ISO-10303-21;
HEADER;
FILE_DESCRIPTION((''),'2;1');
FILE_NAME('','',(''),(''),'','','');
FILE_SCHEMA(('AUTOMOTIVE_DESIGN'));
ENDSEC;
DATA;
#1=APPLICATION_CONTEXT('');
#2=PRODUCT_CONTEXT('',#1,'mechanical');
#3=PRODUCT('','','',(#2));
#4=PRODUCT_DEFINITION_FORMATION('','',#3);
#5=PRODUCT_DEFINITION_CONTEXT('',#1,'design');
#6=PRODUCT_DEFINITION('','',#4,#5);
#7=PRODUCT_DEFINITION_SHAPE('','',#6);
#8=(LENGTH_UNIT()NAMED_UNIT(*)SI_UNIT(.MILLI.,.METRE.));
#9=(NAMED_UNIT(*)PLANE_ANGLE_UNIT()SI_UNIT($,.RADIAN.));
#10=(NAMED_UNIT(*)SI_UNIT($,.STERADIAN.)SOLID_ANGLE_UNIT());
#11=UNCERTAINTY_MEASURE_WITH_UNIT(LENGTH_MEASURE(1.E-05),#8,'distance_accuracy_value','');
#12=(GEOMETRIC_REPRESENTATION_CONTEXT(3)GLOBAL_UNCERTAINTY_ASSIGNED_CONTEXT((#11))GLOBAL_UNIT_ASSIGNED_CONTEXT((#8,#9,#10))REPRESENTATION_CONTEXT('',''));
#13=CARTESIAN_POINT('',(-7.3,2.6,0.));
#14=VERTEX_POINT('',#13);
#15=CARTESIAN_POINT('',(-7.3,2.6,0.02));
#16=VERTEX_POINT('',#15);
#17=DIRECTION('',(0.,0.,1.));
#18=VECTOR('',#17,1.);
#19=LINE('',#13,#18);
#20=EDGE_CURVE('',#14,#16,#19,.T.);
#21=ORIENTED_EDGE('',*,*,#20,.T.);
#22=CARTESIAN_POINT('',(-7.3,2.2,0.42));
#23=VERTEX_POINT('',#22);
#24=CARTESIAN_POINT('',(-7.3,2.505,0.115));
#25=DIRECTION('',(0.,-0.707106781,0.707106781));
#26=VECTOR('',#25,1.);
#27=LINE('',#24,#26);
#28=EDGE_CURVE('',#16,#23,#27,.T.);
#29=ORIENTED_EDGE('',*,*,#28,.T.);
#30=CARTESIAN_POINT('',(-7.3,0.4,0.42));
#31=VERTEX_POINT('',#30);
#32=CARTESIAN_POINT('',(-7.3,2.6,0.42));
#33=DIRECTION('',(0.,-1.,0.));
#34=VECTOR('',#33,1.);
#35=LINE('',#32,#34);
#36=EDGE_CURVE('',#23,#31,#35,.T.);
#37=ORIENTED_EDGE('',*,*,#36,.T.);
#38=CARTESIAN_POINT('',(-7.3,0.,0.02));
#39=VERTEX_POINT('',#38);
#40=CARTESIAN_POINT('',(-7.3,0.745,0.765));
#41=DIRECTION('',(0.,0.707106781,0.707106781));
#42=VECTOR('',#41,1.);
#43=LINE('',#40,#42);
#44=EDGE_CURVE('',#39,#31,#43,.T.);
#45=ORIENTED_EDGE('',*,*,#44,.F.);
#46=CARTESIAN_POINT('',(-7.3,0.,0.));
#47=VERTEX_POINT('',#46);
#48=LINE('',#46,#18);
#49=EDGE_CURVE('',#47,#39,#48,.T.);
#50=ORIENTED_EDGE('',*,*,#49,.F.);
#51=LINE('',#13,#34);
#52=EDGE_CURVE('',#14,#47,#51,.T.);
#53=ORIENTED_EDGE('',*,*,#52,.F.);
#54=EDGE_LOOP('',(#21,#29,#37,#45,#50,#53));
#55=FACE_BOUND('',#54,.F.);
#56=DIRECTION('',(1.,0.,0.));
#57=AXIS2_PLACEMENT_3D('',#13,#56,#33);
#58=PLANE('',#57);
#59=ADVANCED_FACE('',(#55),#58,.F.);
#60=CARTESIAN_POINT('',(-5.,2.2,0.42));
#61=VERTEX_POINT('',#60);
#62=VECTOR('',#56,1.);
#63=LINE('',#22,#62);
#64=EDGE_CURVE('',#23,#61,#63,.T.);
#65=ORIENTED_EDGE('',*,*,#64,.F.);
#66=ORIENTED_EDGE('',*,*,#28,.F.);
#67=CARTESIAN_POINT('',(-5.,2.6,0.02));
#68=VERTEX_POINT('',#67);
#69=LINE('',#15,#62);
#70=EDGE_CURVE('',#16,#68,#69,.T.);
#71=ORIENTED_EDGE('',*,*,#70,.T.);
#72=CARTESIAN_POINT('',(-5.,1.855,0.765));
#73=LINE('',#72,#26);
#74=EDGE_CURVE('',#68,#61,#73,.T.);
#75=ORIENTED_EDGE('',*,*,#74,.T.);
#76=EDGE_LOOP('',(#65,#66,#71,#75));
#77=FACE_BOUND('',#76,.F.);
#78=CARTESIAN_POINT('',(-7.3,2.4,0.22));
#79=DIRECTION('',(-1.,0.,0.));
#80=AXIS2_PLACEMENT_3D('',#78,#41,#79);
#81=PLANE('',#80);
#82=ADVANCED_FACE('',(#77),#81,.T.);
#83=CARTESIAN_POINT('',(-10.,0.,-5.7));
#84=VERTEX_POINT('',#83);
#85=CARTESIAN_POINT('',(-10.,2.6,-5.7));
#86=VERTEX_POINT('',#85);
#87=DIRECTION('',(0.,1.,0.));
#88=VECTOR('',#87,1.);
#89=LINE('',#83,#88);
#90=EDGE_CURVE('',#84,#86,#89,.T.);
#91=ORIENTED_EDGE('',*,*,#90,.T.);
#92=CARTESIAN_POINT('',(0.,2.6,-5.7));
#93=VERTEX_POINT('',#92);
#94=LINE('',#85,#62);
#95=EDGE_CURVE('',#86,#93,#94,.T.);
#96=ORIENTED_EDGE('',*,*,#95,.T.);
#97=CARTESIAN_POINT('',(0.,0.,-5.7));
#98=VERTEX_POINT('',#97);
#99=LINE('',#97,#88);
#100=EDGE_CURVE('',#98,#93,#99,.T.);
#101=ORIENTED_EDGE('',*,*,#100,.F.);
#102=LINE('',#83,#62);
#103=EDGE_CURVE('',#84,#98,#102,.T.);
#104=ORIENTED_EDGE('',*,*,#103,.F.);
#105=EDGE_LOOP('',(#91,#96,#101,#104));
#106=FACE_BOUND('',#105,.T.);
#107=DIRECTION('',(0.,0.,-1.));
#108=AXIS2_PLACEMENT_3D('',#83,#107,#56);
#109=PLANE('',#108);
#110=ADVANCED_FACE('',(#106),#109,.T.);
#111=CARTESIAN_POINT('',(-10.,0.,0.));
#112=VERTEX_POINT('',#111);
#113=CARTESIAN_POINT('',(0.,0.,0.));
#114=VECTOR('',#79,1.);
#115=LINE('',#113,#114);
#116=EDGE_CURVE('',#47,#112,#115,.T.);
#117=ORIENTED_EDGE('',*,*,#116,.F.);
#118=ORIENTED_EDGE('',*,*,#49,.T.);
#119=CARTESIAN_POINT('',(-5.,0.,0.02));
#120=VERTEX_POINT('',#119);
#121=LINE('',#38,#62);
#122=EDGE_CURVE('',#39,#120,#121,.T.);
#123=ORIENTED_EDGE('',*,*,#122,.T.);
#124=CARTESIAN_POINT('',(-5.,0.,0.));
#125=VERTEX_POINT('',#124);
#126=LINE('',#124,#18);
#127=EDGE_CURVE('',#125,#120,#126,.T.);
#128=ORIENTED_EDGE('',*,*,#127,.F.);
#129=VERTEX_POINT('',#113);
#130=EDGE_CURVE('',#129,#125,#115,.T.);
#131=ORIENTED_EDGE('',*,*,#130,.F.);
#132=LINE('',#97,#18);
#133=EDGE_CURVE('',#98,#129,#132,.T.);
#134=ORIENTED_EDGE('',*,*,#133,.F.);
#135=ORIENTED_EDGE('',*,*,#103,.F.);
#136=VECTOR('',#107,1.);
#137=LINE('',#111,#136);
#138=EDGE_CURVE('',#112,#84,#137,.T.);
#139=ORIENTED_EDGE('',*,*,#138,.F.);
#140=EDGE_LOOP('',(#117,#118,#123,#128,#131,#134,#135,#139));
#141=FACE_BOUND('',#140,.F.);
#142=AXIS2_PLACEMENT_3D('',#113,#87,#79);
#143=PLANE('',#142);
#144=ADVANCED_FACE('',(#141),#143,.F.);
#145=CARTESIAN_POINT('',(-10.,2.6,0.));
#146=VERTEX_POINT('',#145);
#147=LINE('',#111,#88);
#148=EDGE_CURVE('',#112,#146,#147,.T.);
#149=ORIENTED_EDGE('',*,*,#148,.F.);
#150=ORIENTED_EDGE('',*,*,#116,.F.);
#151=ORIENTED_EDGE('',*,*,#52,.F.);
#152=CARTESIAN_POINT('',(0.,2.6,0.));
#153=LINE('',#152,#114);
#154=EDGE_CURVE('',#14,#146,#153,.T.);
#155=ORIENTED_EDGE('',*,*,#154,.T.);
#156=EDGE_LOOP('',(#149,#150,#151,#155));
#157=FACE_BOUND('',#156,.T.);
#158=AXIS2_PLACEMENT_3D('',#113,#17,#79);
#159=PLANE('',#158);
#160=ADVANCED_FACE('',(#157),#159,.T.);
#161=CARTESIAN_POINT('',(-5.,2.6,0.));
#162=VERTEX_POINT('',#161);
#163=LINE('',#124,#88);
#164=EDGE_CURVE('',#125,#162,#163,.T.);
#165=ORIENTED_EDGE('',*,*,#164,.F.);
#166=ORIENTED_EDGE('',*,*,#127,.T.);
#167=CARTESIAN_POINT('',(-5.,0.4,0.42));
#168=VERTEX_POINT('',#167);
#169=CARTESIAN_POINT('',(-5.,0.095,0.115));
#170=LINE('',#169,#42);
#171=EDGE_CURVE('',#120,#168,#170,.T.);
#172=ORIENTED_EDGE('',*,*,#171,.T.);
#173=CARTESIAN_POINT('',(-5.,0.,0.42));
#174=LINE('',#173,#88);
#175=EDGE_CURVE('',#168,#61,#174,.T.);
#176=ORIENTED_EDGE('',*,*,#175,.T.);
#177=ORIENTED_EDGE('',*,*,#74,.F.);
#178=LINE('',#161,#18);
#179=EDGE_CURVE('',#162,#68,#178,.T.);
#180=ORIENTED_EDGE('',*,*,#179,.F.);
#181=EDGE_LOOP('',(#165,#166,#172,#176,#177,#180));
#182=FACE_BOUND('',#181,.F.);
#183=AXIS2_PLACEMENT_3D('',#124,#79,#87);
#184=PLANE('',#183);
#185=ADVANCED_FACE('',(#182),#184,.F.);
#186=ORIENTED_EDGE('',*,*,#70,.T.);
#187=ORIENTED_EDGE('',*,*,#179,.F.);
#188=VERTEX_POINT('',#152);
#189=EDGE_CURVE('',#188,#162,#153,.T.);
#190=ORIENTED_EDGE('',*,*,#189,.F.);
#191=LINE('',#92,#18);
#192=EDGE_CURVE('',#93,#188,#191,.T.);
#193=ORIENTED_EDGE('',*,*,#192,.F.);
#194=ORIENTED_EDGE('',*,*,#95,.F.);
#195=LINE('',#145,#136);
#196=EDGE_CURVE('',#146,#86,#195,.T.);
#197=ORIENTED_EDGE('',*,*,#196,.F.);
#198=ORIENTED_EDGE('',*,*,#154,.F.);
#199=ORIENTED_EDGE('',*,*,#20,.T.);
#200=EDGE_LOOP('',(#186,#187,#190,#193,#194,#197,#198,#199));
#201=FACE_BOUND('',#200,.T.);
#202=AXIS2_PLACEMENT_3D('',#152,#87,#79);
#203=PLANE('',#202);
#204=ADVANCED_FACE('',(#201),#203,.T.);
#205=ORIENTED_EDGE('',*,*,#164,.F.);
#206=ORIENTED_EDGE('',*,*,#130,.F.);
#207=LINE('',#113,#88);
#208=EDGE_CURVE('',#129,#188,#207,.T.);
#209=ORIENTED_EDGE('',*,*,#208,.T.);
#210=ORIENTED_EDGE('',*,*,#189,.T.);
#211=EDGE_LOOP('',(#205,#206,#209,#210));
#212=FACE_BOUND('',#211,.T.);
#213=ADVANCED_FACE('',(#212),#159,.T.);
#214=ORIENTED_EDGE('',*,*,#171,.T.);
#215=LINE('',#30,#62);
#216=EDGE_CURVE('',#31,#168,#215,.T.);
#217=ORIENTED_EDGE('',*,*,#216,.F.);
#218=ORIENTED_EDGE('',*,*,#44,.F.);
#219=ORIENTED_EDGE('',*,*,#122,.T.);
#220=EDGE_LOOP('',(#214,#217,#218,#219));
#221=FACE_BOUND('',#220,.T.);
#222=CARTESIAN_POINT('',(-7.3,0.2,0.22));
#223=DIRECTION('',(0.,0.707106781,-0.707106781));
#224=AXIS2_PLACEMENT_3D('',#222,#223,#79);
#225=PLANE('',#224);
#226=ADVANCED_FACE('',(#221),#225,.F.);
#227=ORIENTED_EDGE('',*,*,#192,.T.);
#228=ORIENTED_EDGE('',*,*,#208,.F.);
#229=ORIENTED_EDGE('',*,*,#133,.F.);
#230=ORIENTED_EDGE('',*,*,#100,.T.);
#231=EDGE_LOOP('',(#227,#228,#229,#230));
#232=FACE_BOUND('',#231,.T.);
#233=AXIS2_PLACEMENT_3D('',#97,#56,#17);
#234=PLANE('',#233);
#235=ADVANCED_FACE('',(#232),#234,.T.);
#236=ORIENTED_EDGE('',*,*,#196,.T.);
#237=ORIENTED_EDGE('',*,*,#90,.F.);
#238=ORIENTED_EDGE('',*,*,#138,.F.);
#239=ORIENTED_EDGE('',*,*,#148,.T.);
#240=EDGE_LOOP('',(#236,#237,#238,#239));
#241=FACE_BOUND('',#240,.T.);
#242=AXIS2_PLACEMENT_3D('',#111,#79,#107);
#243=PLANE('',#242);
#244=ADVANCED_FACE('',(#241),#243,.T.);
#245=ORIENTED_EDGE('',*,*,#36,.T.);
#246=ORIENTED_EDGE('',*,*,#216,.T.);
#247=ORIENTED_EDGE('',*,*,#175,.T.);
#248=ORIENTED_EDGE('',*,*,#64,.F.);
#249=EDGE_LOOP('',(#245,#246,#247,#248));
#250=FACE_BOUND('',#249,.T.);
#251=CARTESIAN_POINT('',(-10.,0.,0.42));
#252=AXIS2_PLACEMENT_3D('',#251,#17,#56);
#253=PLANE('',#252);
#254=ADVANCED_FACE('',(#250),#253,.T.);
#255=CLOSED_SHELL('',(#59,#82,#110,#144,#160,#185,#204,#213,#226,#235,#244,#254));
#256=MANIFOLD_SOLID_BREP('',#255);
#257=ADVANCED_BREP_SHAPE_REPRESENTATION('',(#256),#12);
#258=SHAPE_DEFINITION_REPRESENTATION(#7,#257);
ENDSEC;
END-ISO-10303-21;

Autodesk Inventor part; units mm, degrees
ref_plane "YZ Plane" through (0, 0, 0) normal (1, 0, 0) x (0, 1, 0)
ref_plane "XZ Plane" through (0, 0, 0) normal (0, 1, 0) x (-1, 0, 0)
ref_plane "XY Plane" through (0, 0, 0) normal (0, 0, 1) x (1, 0, 0)
sketch "Szkic1" plane through (0, 0, 0) normal (0, 1, 0) x (-1, 0, 0)
  line L0 (0, 0) -> (10, 0)
  line L1 (10, 0) -> (10, -5.7)
  line L2 (10, -5.7) -> (0, -5.7)
  line L3 (0, -5.7) -> (0, 0)
  dimension "d0" = 10
  dimension "d1" = 5.7
extrude "Wyciągnięcie proste1" add sketch "Szkic1" along normal blind 2.6
sketch "Szkic2" plane through (-10, 0, 0) normal (0, 0, 1) x (1, 0, 0)
  line L0 (0, 0) -> (10, 0) projected
  line L1 (10, 0) -> (10, 2.6) projected
  line L2 (0, 2.6) -> (10, 2.6) projected
  line L3 (0, 0) -> (0, 2.6) projected
  line L4 (0, 0) -> (0, 2.6) projected
  line L5 (10, 0) -> (0, 0) projected
  line L6 (0, 2.6) -> (2.7, 2.6)
  line L7 (2.7, 2.6) -> (2.7, 0)
  line L8 (2.7, 0) -> (0, 0)
  line L9 (0, 0) -> (0, 2.6)
  line L10 (10, 2.6) -> (0, 2.6) projected
  line L11 (2.7, 0) -> (5, 0)
  line L12 (5, 0) -> (5, 2.6)
  line L13 (5, 2.6) -> (2.7, 2.6)
  line L14 (2.7, 2.6) -> (2.7, 0)
  dimension "d4" = 2.7
extrude "Wyciągnięcie proste2" add sketch "Szkic2" along normal blind 0.42 contours L7 L2 L12 L0
chamfer "Faza1" distance 0.4 angle 45 2 edges at (-6.15, 2.6, 0.42) (-6.15, 0, 0.42)
properties part number "wlacznik"
